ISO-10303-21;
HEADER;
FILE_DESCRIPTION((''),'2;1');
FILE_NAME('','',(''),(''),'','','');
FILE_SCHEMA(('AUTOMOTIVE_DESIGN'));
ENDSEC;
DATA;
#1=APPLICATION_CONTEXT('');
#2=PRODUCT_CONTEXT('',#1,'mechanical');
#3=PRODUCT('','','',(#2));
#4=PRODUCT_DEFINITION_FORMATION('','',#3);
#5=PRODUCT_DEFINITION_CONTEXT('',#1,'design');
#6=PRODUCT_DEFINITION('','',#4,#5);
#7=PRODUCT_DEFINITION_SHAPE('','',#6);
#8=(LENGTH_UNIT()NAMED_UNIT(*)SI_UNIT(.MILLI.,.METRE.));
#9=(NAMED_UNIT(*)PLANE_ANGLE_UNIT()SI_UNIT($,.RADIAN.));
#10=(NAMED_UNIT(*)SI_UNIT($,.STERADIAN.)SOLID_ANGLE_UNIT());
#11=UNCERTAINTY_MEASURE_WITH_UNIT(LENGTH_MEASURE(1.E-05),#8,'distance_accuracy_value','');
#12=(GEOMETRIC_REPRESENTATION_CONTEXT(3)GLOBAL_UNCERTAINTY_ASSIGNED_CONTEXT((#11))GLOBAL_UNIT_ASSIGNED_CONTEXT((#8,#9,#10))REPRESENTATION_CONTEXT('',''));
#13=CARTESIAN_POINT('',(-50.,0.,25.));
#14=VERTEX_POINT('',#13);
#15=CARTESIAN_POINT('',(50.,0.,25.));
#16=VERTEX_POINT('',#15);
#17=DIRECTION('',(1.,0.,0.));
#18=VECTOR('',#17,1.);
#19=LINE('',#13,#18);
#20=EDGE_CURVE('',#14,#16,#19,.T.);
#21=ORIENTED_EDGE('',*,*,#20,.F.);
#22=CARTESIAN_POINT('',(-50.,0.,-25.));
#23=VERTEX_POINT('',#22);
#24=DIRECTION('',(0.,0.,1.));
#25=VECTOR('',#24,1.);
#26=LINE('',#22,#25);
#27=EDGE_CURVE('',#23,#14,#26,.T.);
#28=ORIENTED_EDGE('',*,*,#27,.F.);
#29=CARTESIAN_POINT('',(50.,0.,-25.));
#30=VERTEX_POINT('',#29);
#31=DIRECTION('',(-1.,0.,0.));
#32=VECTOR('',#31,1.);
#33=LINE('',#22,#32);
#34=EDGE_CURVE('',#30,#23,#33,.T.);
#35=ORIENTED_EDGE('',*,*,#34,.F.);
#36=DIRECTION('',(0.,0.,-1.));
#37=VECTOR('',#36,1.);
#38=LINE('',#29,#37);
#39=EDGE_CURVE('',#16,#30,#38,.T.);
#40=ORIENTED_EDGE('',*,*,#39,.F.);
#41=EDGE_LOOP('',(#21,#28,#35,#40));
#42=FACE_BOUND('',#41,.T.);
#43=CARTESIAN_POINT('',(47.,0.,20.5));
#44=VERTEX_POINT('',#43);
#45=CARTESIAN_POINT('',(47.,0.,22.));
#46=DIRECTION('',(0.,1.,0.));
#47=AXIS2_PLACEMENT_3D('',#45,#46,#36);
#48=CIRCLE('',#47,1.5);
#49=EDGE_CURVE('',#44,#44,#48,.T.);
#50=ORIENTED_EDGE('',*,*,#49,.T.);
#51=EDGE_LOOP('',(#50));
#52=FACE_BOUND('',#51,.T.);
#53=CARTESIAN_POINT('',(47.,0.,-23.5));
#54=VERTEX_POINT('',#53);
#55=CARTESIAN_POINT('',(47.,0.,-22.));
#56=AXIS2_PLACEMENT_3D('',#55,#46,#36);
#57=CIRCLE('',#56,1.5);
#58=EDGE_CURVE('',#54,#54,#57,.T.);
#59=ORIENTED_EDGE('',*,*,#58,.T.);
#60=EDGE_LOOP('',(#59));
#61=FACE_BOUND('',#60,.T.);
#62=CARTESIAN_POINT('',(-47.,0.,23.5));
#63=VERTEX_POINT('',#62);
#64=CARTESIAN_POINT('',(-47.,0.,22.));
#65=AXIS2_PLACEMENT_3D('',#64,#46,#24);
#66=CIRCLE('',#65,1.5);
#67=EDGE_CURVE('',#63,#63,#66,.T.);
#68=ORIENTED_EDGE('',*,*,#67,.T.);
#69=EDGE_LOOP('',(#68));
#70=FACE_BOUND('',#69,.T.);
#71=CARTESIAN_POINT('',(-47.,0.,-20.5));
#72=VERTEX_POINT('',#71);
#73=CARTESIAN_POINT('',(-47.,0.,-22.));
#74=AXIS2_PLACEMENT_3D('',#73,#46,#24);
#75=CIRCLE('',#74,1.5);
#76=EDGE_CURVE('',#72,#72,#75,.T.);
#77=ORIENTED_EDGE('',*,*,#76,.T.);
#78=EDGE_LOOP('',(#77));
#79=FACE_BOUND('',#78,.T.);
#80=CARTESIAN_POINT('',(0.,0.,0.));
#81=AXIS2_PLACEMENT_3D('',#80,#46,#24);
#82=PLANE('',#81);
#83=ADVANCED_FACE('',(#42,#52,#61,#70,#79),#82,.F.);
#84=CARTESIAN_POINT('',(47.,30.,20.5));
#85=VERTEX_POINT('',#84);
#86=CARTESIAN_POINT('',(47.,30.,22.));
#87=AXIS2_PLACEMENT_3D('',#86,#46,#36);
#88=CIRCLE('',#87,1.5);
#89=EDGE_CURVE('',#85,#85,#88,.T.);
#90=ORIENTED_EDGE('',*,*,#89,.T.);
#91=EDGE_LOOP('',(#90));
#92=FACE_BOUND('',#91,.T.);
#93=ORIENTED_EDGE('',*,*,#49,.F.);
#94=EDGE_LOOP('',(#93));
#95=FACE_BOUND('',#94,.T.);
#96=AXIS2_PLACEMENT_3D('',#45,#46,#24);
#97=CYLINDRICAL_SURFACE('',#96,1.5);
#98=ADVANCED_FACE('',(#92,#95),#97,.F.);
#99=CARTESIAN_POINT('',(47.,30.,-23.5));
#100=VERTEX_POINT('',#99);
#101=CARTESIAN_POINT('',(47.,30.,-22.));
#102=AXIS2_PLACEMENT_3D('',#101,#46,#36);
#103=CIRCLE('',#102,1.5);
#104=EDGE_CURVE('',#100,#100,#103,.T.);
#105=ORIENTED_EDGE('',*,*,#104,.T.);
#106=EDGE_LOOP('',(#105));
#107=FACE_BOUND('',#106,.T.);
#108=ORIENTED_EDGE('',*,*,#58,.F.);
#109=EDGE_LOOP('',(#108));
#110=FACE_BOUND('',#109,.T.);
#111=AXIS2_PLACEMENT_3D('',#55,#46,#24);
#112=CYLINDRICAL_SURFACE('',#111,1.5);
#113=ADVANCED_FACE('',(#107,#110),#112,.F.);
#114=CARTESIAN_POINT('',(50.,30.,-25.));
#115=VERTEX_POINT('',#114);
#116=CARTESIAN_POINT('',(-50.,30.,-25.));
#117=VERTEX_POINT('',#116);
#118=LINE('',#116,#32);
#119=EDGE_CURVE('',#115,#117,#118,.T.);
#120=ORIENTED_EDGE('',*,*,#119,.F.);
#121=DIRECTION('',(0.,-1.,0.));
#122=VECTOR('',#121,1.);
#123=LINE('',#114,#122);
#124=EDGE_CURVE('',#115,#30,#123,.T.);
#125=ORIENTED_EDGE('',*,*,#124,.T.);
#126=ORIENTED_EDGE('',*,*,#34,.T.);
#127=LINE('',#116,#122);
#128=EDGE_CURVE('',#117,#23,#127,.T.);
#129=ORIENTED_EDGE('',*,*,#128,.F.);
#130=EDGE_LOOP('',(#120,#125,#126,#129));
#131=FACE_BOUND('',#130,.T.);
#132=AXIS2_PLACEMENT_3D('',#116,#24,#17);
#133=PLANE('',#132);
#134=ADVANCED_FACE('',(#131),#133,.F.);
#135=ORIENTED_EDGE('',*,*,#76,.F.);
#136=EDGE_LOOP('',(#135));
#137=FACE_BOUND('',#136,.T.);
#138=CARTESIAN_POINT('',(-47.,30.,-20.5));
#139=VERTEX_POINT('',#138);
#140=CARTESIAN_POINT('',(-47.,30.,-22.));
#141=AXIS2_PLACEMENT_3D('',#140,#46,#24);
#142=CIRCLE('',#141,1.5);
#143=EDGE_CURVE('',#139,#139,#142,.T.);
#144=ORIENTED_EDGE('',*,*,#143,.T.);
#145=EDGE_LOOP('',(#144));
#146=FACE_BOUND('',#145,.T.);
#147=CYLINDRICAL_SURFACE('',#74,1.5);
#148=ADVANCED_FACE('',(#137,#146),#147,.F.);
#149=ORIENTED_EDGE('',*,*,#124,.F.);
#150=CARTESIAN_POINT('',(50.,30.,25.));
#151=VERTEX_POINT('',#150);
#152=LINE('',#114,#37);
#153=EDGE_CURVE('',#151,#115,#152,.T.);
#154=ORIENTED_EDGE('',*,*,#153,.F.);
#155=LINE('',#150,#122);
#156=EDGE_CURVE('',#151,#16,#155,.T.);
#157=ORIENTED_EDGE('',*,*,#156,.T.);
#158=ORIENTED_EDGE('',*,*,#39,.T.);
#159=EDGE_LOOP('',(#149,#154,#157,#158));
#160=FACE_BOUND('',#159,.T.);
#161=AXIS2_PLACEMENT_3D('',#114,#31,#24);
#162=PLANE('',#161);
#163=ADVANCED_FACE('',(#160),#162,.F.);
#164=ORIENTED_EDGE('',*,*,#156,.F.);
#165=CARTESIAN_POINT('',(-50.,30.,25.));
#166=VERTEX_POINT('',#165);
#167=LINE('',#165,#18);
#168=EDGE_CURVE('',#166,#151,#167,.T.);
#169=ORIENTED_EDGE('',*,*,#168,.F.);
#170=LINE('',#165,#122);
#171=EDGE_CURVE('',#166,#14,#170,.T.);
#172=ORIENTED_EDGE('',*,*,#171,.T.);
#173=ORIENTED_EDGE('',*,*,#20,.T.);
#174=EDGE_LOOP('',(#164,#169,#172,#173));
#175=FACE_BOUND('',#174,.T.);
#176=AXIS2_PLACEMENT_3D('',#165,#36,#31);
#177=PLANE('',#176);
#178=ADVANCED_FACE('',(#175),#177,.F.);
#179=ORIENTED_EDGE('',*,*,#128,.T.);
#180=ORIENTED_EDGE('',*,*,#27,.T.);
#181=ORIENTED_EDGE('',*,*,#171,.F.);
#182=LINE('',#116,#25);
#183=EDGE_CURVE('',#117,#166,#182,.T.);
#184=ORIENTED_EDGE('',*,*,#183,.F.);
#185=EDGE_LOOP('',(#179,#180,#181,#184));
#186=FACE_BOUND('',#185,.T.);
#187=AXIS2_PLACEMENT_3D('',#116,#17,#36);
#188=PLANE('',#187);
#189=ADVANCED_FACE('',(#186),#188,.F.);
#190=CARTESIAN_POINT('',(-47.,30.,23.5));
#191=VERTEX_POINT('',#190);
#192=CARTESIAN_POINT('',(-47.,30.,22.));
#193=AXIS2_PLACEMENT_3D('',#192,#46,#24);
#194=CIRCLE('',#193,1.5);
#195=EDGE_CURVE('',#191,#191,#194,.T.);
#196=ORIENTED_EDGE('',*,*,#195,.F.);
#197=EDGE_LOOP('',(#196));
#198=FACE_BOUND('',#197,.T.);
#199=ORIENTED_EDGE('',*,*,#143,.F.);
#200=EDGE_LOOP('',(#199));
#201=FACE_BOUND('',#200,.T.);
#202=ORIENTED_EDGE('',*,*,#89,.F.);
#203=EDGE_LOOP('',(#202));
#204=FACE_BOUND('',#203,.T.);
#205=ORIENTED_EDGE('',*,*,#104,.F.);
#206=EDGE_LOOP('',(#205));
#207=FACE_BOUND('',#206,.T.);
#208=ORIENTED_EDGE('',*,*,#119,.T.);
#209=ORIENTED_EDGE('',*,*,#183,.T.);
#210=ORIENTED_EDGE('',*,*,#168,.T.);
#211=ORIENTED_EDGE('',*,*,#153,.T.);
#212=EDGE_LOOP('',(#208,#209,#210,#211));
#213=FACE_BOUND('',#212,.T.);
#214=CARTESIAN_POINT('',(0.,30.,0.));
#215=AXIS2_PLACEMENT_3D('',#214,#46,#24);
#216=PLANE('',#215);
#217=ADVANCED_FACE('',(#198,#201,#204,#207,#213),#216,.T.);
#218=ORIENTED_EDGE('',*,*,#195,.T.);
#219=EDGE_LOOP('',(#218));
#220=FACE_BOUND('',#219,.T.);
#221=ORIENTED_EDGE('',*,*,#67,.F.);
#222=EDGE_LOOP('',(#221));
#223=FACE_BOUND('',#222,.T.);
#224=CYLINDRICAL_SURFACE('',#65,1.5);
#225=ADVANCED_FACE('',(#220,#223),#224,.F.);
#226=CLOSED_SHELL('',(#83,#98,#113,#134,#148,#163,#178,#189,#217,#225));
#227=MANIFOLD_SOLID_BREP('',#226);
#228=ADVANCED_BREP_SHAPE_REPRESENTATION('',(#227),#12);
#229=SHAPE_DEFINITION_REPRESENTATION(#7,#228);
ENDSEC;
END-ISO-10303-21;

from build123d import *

# Parameters (mm, degrees)
ESQUISSE2_W             = 100
ESQUISSE2_H             = 50
BOSS_EXTRU_1_DEPTH      = 30
ESQUISSE3_R             = 1.5
ENL_V_MAT_EXTRU_1_DEPTH = 30


with BuildPart() as part:
    # Esquisse2 → Boss.-Extru.1 (new body)
    with BuildSketch(Plane(origin=(0, 0, 0), x_dir=(1, 0, 0), z_dir=(0, 1, 0))):
        Rectangle(ESQUISSE2_W, ESQUISSE2_H)
    extrude(amount=BOSS_EXTRU_1_DEPTH)

    # Esquisse3 → Enlèv. mat.-Extru.1 (cut)
    with BuildSketch(Plane(origin=(0, 30, 0), x_dir=(1, 0, 0), z_dir=(0, 1, 0))):
        with Locations((-47, 22)):
            Circle(ESQUISSE3_R)
        with Locations((-47, -22)):
            Circle(ESQUISSE3_R)
        with Locations((47, -22)):
            Circle(ESQUISSE3_R)
        with Locations((47, 22)):
            Circle(ESQUISSE3_R)
    extrude(amount=-ENL_V_MAT_EXTRU_1_DEPTH, mode=Mode.SUBTRACT)


solid = part.part
